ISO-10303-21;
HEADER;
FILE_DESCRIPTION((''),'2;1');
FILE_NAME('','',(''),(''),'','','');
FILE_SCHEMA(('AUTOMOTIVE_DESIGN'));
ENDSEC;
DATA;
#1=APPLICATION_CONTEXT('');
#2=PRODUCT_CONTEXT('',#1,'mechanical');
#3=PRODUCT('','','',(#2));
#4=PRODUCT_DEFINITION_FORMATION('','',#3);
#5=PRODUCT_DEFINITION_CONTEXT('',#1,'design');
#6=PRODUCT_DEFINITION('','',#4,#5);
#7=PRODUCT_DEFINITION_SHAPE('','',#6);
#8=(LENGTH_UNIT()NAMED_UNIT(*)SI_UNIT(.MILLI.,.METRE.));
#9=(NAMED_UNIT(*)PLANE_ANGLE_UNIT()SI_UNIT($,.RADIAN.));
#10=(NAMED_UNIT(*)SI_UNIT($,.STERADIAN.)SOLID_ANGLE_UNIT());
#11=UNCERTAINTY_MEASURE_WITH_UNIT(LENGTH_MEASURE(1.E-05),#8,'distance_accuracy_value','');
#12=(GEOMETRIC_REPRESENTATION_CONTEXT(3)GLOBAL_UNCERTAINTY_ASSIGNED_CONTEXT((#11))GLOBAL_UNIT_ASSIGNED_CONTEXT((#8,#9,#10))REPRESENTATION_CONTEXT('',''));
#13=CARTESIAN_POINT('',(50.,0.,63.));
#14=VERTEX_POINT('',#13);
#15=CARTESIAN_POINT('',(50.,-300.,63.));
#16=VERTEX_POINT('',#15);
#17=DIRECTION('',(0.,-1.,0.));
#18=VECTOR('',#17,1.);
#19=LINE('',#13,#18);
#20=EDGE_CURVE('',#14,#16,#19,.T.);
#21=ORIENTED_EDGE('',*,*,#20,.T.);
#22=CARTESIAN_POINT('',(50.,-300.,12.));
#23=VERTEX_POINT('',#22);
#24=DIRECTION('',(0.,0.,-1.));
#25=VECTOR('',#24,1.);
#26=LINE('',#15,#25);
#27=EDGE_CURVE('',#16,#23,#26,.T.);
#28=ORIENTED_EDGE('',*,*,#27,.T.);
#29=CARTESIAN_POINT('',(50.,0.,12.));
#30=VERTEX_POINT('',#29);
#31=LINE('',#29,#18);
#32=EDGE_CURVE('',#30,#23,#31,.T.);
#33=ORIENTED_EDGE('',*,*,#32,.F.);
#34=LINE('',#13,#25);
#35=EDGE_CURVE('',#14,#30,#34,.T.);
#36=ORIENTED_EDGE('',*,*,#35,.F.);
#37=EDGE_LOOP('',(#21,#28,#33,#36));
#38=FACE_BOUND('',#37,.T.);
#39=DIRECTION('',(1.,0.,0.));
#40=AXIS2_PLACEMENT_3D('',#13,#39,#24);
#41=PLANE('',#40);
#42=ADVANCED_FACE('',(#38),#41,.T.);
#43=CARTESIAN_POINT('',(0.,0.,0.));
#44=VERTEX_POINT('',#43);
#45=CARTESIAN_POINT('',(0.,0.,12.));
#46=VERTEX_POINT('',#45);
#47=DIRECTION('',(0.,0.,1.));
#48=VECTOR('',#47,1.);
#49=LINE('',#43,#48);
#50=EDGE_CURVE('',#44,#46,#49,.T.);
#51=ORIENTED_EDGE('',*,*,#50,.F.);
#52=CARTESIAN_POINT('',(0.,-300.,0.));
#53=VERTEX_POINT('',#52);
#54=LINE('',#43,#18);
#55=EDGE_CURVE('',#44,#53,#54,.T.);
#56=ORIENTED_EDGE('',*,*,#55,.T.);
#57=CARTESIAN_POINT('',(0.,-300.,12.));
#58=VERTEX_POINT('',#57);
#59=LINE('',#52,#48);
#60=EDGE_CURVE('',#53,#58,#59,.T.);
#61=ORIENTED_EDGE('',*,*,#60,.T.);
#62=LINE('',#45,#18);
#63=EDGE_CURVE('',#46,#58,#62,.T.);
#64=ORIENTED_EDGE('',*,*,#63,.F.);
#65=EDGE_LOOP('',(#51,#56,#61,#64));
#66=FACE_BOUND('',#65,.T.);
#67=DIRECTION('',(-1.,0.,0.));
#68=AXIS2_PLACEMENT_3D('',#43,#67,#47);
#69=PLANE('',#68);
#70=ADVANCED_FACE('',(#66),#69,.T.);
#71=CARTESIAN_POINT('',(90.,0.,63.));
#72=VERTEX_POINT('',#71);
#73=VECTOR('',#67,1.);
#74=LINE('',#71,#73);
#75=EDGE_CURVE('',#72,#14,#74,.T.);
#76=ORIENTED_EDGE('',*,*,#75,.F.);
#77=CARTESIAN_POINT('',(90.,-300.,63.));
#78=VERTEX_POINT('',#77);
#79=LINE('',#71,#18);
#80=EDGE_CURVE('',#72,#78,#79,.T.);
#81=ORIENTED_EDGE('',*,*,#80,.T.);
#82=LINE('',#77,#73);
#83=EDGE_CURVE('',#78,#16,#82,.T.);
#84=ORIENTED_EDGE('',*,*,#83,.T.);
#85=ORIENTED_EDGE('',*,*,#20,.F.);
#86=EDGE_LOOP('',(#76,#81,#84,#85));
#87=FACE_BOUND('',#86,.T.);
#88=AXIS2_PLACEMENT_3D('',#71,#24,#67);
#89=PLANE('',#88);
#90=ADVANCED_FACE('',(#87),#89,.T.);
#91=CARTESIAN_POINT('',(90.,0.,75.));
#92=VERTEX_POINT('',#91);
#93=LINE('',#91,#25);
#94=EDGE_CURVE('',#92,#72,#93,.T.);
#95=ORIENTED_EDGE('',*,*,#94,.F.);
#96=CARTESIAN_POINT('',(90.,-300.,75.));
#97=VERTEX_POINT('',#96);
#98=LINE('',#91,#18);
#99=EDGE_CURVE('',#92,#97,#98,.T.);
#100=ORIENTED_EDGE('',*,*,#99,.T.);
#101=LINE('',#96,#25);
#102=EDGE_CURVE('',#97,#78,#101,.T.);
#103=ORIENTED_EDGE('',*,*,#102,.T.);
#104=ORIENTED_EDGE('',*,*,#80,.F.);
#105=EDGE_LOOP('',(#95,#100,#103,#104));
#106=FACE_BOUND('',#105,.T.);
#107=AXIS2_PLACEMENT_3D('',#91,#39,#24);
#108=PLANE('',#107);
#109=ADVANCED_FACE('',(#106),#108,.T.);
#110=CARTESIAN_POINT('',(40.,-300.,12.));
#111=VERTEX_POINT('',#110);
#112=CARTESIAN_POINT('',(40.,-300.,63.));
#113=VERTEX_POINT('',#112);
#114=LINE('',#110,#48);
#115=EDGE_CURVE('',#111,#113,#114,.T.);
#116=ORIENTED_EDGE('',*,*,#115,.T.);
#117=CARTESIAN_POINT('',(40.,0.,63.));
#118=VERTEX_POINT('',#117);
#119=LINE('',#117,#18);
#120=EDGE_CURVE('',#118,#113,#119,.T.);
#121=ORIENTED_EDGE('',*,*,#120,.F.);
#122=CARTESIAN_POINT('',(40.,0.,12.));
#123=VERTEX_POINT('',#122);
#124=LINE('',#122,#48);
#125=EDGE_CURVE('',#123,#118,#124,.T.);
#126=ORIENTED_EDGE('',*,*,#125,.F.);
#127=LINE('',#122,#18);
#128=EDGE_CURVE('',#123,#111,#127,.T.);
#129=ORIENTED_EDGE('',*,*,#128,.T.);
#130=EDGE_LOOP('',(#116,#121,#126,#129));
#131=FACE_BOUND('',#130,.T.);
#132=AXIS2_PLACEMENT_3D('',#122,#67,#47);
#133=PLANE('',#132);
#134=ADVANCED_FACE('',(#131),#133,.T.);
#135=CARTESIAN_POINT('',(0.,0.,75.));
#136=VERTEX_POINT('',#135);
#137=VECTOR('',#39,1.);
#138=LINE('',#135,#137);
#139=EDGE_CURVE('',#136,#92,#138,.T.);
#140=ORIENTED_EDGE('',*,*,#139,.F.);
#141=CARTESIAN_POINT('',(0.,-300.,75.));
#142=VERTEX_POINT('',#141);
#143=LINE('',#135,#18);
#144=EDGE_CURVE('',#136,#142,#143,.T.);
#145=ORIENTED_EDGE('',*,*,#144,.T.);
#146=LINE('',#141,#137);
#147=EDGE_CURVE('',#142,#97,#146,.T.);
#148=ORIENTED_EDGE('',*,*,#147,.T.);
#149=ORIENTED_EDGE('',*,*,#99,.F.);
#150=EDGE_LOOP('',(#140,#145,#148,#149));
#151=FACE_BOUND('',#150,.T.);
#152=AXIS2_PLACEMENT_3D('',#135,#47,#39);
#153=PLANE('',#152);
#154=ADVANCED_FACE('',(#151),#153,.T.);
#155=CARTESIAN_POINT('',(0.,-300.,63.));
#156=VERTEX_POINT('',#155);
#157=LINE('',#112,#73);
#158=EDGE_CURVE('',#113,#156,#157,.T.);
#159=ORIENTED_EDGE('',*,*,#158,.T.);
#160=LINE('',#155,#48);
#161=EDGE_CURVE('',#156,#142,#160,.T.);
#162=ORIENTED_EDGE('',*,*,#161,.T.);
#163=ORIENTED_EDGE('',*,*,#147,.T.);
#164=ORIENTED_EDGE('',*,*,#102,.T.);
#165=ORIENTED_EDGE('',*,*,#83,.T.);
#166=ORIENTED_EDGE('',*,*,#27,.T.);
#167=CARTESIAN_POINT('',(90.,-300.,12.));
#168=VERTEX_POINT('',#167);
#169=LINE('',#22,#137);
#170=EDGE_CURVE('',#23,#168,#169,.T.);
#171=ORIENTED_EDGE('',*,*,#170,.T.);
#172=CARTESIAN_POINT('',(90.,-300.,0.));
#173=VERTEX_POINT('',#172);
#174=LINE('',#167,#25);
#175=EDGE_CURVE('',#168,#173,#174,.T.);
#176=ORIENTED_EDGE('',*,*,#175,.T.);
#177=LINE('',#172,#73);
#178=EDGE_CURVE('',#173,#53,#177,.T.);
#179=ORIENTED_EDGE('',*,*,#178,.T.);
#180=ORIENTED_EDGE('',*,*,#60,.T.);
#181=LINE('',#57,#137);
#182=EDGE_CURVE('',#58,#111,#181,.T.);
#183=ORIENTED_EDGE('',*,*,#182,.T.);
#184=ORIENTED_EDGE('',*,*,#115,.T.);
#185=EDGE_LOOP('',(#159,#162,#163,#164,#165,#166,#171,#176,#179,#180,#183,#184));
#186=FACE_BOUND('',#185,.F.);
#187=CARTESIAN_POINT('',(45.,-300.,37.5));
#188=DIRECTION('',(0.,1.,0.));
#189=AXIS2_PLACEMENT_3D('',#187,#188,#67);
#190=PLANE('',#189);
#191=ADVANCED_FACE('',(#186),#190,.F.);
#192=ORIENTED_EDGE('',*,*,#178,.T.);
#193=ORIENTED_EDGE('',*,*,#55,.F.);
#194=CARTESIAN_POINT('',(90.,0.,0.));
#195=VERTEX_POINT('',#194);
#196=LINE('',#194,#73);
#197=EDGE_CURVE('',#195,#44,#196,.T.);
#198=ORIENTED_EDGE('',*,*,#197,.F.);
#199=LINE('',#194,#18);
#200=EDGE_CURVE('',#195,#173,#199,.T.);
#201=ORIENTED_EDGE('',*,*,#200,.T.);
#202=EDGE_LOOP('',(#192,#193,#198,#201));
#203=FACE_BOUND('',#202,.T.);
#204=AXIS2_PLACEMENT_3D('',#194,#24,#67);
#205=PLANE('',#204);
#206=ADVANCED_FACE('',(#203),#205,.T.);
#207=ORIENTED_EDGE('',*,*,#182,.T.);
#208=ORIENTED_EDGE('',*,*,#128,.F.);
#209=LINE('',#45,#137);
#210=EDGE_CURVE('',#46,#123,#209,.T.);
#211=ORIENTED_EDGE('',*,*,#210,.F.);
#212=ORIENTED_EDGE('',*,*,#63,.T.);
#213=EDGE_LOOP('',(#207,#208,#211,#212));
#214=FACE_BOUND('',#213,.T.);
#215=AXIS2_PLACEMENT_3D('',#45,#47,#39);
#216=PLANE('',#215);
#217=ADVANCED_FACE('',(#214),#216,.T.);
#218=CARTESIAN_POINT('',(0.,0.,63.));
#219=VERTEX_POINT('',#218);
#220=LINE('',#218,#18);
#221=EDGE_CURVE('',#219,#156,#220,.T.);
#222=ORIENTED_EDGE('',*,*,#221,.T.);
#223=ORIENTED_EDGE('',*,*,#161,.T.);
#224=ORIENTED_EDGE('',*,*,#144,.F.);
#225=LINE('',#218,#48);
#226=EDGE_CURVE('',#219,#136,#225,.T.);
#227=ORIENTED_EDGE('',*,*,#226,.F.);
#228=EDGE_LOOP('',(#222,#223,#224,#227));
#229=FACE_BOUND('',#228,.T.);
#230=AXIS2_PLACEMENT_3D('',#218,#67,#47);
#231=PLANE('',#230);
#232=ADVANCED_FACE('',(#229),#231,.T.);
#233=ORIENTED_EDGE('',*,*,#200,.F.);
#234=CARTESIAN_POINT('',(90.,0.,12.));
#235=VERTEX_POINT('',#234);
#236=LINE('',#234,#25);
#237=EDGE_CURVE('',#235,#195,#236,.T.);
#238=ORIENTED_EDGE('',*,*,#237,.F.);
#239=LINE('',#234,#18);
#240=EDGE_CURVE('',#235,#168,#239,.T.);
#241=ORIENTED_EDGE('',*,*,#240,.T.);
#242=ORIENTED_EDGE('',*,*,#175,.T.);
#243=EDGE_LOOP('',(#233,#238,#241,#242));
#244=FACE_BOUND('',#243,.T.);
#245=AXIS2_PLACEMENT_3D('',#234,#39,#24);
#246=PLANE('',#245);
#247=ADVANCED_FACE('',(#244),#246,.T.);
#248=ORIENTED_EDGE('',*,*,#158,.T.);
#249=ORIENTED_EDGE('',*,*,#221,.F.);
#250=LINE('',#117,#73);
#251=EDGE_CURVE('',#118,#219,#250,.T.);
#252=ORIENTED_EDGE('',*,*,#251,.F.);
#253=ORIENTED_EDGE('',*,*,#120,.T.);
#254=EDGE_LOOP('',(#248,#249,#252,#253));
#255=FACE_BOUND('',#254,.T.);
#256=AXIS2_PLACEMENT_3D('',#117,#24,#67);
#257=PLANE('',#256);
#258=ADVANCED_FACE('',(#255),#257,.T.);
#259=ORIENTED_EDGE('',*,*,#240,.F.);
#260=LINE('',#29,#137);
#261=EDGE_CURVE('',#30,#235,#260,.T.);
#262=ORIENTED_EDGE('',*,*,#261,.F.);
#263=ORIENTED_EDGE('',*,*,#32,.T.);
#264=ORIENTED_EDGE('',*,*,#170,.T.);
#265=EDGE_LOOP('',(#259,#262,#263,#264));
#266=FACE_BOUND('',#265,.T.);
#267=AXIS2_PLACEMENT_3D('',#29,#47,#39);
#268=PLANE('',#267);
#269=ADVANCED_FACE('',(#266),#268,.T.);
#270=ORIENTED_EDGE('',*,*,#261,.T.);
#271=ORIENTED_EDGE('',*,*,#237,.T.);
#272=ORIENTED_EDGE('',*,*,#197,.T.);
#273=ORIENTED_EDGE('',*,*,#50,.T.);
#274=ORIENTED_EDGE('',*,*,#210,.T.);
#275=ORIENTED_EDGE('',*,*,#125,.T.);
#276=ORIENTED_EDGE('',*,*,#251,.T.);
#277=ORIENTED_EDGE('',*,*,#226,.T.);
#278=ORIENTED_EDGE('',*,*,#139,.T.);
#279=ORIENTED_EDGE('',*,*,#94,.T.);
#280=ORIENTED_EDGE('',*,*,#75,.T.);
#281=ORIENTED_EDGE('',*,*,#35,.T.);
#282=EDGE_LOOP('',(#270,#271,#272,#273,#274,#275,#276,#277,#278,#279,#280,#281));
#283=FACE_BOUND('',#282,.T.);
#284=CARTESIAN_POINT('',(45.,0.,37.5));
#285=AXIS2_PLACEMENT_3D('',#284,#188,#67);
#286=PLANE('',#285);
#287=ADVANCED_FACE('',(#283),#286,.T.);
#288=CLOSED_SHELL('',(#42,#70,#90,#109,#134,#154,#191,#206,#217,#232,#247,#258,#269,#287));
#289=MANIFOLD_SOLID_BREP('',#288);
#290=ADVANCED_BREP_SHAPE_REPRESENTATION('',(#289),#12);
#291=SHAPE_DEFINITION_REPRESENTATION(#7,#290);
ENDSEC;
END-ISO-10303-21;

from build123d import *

# Parameters (mm, degrees)
PAD_DEPTH = 300


with BuildPart() as part:
    # Sketch → Pad (new body)
    with BuildSketch(Plane.XZ):
        Polygon((0, 75), (90, 75), (90, 63), (50, 63), (50, 12), (90, 12), (90, 0), (0, 0), (0, 12), (40, 12), (40, 63), (0, 63), align=None)
    extrude(amount=PAD_DEPTH)


solid = part.part
